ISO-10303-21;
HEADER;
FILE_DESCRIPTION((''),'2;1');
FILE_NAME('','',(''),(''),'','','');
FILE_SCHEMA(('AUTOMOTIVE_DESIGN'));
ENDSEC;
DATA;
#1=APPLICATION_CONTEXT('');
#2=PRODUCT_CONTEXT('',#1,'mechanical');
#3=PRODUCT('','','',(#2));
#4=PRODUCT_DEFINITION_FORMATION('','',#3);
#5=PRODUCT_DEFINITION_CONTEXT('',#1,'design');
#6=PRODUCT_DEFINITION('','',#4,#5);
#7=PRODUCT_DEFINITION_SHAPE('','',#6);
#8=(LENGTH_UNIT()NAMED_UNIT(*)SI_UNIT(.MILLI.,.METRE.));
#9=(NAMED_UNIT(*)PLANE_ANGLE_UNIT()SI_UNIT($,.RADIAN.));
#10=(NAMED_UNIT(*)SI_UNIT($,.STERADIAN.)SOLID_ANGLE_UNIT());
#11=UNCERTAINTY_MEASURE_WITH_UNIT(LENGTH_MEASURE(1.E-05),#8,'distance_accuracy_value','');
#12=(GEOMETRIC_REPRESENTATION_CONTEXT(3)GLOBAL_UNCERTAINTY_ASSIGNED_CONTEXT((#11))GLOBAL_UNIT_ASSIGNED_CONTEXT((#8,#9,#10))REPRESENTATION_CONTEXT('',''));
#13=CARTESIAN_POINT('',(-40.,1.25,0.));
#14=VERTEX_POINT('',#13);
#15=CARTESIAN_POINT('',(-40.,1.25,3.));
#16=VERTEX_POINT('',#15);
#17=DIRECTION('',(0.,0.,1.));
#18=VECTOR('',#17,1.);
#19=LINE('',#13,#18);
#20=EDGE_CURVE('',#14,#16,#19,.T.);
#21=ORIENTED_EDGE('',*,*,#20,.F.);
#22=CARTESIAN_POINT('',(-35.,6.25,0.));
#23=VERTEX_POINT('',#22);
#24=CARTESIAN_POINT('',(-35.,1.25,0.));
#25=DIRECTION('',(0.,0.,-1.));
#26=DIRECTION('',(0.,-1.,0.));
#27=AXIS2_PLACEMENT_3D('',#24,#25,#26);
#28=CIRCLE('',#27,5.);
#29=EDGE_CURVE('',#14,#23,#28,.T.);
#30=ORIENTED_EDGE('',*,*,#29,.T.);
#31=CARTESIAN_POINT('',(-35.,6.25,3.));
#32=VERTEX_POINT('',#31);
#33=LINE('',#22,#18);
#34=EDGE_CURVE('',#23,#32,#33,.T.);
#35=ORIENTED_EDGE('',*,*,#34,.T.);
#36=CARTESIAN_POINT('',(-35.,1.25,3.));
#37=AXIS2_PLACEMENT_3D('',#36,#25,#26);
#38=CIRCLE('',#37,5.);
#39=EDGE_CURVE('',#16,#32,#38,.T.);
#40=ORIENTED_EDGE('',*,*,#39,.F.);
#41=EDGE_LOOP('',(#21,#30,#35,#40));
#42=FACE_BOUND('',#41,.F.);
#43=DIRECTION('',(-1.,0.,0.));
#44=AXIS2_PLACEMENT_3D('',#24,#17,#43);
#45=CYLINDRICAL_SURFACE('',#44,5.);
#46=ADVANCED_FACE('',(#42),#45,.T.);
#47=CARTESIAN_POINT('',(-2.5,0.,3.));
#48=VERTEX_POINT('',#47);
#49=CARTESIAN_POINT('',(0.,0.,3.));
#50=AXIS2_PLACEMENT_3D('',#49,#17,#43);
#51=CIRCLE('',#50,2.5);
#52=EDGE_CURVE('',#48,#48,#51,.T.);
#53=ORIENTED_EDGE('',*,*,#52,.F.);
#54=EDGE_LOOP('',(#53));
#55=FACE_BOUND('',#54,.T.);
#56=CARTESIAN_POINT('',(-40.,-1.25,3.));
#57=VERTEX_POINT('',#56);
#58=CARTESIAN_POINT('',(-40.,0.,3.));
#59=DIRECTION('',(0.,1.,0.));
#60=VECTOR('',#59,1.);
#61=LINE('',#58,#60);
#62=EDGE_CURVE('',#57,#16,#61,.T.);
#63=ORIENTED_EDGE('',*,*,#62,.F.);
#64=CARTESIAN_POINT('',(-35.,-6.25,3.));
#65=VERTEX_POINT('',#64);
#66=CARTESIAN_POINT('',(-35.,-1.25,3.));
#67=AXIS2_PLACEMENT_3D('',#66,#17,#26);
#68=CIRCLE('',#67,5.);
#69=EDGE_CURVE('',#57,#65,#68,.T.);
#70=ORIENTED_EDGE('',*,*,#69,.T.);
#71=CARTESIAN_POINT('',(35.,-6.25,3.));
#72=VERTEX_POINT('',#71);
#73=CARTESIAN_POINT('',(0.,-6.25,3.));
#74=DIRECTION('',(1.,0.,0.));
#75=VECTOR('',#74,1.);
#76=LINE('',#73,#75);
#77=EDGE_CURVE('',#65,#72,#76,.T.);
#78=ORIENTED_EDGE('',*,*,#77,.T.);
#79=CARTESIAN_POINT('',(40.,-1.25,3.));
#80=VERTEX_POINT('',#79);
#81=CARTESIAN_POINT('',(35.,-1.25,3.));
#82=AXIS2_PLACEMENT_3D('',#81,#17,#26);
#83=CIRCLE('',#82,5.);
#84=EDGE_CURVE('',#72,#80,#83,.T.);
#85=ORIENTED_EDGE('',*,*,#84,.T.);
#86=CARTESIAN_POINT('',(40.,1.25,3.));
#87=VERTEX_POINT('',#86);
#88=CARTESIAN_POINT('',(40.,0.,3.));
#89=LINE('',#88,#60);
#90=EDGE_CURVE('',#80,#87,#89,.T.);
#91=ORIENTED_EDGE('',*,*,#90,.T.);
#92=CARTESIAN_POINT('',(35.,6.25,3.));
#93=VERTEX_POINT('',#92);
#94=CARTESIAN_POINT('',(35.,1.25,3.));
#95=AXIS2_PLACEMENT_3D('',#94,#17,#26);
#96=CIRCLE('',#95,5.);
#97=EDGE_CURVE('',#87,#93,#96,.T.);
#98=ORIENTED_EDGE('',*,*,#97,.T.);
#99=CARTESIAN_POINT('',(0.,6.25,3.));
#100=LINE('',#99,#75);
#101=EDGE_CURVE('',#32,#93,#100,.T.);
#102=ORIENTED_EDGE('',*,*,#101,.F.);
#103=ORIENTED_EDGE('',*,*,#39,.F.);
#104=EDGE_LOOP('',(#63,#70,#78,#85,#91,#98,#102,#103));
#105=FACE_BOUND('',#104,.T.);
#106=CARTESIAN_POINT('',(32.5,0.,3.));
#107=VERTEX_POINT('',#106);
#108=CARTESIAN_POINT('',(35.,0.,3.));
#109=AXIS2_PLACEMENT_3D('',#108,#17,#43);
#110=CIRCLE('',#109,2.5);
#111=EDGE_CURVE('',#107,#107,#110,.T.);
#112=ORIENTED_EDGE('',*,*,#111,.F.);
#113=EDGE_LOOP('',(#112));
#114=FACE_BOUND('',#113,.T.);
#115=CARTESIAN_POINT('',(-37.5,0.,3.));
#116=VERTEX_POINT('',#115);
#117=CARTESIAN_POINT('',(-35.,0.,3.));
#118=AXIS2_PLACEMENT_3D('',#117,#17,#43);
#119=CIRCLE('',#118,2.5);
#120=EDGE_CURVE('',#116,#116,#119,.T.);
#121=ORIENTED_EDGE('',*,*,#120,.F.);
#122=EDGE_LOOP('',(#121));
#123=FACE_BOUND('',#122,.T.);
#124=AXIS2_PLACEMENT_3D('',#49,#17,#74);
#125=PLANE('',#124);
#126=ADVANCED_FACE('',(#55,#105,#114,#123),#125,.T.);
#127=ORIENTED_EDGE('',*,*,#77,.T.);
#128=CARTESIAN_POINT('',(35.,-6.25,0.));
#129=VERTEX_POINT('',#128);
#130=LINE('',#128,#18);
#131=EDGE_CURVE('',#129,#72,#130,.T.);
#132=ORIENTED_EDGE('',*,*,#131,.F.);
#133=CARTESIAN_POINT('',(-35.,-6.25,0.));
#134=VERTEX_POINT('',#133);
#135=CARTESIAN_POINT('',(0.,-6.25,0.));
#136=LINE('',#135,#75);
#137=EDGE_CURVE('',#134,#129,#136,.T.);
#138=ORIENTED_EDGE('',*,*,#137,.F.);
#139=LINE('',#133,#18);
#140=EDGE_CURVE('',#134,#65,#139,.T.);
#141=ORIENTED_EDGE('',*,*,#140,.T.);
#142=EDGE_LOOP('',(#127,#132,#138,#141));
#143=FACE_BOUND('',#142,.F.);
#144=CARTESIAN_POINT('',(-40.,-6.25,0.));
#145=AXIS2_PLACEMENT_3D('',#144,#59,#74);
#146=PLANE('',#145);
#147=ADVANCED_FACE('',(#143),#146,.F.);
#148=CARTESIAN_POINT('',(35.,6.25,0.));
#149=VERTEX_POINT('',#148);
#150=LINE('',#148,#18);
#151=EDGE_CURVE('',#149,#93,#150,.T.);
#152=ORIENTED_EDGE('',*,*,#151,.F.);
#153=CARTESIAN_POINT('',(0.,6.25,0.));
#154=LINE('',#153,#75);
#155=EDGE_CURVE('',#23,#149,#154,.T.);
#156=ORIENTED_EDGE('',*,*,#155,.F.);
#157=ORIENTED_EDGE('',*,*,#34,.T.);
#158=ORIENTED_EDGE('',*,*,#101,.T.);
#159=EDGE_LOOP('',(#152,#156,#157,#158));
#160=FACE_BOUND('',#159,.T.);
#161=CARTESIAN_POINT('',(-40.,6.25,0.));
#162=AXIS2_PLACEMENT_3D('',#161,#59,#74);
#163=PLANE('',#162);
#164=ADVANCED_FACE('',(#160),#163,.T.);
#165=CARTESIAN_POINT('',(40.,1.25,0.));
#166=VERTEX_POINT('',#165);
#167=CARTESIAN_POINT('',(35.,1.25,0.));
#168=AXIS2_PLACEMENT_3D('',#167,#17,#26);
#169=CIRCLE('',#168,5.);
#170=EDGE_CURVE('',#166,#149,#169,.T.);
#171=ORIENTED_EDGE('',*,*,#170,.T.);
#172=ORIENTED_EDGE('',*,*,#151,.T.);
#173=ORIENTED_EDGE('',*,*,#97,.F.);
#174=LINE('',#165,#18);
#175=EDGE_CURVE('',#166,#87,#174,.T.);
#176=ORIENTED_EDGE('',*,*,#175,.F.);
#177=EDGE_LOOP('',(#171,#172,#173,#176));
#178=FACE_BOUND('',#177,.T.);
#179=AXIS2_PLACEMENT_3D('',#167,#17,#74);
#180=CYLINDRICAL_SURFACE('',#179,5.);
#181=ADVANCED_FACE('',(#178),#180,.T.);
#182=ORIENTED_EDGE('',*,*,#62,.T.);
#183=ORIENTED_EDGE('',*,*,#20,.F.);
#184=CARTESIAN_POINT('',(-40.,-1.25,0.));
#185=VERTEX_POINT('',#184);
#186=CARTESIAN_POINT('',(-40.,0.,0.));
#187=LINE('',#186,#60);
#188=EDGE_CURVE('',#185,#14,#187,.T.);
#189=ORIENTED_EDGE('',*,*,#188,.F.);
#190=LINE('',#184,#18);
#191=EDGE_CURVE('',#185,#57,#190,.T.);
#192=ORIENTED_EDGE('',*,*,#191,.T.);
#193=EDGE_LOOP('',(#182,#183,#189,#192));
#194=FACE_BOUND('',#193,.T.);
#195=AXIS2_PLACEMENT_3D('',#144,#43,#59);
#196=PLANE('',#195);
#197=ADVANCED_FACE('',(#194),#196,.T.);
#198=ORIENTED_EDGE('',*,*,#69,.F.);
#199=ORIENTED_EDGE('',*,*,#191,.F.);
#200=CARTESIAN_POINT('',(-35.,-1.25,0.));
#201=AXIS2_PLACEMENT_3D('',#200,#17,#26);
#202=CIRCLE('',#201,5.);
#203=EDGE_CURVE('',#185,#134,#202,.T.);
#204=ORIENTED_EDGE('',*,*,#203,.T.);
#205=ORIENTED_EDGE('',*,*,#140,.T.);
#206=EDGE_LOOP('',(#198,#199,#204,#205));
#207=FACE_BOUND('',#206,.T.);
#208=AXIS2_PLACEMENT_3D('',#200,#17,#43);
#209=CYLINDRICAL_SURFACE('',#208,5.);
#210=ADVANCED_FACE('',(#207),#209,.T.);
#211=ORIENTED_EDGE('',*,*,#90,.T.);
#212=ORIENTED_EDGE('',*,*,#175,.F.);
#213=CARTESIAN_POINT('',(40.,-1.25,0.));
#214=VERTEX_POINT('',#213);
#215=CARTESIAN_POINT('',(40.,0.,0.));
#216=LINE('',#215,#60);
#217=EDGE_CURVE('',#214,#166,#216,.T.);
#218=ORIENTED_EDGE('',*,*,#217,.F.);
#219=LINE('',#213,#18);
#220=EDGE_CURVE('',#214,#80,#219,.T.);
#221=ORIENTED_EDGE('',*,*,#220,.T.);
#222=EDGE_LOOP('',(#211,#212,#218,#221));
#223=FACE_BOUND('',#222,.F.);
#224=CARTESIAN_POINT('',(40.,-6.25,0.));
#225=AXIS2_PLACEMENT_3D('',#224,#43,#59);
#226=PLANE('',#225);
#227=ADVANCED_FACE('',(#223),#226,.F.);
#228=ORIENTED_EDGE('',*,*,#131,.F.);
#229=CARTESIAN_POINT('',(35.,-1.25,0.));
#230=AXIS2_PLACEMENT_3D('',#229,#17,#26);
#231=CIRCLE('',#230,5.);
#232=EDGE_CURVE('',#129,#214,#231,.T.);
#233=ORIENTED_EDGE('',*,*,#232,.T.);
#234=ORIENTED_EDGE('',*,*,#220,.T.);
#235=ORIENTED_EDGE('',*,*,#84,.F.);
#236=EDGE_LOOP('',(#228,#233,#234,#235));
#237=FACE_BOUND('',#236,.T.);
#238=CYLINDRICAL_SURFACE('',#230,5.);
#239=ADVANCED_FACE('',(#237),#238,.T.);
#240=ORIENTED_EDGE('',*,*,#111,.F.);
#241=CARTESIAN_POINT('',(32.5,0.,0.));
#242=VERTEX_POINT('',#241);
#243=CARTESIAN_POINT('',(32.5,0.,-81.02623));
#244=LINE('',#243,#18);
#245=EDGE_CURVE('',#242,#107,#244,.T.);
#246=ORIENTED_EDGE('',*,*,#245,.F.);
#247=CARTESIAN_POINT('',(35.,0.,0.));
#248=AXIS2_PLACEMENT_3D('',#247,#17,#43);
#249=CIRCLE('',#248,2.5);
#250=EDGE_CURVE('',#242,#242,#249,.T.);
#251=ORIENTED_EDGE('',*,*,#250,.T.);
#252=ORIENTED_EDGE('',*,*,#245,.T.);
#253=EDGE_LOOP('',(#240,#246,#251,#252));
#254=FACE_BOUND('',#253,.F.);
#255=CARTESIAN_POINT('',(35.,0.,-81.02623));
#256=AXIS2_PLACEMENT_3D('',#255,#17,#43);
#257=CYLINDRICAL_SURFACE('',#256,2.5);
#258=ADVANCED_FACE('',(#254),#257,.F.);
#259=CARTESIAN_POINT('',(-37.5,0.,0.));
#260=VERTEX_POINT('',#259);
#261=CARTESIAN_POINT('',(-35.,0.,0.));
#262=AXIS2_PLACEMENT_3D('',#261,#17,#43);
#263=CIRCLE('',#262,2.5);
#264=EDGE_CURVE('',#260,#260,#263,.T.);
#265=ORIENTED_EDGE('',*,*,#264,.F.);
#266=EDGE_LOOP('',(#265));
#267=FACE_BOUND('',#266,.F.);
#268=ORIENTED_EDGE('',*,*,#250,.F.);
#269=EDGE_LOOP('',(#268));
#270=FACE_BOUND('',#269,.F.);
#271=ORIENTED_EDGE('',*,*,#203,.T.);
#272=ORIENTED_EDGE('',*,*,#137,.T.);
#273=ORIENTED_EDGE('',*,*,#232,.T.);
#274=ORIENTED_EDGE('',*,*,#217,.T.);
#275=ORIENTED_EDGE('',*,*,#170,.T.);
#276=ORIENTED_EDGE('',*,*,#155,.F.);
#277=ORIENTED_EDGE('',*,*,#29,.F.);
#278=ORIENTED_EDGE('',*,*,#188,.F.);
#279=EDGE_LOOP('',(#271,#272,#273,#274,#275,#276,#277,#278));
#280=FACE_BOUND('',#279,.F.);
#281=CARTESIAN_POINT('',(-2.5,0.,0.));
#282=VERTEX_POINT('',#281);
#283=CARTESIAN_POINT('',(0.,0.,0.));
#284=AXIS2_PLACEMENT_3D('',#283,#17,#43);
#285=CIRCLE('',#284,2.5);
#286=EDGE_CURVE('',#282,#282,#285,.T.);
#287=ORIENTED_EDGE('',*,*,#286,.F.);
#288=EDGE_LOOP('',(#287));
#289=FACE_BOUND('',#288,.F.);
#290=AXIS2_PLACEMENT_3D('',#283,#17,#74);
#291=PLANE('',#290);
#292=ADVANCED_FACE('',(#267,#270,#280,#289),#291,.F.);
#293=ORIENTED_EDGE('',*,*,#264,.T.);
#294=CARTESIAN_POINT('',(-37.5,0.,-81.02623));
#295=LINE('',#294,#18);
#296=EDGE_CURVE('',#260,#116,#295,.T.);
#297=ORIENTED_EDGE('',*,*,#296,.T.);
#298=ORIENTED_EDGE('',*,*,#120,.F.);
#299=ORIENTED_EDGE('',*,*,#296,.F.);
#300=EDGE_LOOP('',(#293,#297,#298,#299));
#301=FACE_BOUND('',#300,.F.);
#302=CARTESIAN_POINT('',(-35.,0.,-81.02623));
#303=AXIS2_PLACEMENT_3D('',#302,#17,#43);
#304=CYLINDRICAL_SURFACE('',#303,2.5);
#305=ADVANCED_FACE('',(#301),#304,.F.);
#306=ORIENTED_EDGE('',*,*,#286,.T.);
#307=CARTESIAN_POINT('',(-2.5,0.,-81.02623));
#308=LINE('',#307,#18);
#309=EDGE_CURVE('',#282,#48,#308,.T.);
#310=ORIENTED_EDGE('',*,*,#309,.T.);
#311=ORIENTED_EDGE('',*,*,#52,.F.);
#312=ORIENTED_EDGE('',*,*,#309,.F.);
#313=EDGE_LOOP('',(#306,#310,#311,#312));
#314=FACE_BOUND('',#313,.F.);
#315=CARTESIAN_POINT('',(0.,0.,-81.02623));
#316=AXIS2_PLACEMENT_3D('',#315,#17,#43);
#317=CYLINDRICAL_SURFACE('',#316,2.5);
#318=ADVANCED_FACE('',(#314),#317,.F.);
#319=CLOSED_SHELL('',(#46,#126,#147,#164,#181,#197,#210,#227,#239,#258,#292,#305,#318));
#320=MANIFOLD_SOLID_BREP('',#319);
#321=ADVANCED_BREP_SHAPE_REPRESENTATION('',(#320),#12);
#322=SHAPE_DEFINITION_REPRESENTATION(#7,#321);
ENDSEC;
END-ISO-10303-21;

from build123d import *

# Parameters (mm, degrees)
F0_W     = 80
F0_H     = 12.5
F1_DEPTH = 3
F2_R     = 5
F4_D     = 5


with BuildPart() as f1:
    # F0 (on Top) → F1 (new body)
    with BuildSketch(Plane.XY):
        Rectangle(F0_W, F0_H)
    extrude(amount=F1_DEPTH)

    # F2
    f2_edges = [f1.edges().sort_by_distance(p)[0] for p in [
        (40, -6.25, 1.5),
        (40, 6.25, 1.5),
        (-40, -6.25, 1.5),
        (-40, 6.25, 1.5),
    ]]
    fillet(f2_edges, radius=F2_R)

    # F4 (through all)
    with Locations(Plane(origin=(0, 0, 0), x_dir=(1, 0, 0), z_dir=(0, 0, -1))):
        with Locations((-35, 0), (0, 0), (35, 0)):
            Hole(F4_D / 2)


solid = f1.part
